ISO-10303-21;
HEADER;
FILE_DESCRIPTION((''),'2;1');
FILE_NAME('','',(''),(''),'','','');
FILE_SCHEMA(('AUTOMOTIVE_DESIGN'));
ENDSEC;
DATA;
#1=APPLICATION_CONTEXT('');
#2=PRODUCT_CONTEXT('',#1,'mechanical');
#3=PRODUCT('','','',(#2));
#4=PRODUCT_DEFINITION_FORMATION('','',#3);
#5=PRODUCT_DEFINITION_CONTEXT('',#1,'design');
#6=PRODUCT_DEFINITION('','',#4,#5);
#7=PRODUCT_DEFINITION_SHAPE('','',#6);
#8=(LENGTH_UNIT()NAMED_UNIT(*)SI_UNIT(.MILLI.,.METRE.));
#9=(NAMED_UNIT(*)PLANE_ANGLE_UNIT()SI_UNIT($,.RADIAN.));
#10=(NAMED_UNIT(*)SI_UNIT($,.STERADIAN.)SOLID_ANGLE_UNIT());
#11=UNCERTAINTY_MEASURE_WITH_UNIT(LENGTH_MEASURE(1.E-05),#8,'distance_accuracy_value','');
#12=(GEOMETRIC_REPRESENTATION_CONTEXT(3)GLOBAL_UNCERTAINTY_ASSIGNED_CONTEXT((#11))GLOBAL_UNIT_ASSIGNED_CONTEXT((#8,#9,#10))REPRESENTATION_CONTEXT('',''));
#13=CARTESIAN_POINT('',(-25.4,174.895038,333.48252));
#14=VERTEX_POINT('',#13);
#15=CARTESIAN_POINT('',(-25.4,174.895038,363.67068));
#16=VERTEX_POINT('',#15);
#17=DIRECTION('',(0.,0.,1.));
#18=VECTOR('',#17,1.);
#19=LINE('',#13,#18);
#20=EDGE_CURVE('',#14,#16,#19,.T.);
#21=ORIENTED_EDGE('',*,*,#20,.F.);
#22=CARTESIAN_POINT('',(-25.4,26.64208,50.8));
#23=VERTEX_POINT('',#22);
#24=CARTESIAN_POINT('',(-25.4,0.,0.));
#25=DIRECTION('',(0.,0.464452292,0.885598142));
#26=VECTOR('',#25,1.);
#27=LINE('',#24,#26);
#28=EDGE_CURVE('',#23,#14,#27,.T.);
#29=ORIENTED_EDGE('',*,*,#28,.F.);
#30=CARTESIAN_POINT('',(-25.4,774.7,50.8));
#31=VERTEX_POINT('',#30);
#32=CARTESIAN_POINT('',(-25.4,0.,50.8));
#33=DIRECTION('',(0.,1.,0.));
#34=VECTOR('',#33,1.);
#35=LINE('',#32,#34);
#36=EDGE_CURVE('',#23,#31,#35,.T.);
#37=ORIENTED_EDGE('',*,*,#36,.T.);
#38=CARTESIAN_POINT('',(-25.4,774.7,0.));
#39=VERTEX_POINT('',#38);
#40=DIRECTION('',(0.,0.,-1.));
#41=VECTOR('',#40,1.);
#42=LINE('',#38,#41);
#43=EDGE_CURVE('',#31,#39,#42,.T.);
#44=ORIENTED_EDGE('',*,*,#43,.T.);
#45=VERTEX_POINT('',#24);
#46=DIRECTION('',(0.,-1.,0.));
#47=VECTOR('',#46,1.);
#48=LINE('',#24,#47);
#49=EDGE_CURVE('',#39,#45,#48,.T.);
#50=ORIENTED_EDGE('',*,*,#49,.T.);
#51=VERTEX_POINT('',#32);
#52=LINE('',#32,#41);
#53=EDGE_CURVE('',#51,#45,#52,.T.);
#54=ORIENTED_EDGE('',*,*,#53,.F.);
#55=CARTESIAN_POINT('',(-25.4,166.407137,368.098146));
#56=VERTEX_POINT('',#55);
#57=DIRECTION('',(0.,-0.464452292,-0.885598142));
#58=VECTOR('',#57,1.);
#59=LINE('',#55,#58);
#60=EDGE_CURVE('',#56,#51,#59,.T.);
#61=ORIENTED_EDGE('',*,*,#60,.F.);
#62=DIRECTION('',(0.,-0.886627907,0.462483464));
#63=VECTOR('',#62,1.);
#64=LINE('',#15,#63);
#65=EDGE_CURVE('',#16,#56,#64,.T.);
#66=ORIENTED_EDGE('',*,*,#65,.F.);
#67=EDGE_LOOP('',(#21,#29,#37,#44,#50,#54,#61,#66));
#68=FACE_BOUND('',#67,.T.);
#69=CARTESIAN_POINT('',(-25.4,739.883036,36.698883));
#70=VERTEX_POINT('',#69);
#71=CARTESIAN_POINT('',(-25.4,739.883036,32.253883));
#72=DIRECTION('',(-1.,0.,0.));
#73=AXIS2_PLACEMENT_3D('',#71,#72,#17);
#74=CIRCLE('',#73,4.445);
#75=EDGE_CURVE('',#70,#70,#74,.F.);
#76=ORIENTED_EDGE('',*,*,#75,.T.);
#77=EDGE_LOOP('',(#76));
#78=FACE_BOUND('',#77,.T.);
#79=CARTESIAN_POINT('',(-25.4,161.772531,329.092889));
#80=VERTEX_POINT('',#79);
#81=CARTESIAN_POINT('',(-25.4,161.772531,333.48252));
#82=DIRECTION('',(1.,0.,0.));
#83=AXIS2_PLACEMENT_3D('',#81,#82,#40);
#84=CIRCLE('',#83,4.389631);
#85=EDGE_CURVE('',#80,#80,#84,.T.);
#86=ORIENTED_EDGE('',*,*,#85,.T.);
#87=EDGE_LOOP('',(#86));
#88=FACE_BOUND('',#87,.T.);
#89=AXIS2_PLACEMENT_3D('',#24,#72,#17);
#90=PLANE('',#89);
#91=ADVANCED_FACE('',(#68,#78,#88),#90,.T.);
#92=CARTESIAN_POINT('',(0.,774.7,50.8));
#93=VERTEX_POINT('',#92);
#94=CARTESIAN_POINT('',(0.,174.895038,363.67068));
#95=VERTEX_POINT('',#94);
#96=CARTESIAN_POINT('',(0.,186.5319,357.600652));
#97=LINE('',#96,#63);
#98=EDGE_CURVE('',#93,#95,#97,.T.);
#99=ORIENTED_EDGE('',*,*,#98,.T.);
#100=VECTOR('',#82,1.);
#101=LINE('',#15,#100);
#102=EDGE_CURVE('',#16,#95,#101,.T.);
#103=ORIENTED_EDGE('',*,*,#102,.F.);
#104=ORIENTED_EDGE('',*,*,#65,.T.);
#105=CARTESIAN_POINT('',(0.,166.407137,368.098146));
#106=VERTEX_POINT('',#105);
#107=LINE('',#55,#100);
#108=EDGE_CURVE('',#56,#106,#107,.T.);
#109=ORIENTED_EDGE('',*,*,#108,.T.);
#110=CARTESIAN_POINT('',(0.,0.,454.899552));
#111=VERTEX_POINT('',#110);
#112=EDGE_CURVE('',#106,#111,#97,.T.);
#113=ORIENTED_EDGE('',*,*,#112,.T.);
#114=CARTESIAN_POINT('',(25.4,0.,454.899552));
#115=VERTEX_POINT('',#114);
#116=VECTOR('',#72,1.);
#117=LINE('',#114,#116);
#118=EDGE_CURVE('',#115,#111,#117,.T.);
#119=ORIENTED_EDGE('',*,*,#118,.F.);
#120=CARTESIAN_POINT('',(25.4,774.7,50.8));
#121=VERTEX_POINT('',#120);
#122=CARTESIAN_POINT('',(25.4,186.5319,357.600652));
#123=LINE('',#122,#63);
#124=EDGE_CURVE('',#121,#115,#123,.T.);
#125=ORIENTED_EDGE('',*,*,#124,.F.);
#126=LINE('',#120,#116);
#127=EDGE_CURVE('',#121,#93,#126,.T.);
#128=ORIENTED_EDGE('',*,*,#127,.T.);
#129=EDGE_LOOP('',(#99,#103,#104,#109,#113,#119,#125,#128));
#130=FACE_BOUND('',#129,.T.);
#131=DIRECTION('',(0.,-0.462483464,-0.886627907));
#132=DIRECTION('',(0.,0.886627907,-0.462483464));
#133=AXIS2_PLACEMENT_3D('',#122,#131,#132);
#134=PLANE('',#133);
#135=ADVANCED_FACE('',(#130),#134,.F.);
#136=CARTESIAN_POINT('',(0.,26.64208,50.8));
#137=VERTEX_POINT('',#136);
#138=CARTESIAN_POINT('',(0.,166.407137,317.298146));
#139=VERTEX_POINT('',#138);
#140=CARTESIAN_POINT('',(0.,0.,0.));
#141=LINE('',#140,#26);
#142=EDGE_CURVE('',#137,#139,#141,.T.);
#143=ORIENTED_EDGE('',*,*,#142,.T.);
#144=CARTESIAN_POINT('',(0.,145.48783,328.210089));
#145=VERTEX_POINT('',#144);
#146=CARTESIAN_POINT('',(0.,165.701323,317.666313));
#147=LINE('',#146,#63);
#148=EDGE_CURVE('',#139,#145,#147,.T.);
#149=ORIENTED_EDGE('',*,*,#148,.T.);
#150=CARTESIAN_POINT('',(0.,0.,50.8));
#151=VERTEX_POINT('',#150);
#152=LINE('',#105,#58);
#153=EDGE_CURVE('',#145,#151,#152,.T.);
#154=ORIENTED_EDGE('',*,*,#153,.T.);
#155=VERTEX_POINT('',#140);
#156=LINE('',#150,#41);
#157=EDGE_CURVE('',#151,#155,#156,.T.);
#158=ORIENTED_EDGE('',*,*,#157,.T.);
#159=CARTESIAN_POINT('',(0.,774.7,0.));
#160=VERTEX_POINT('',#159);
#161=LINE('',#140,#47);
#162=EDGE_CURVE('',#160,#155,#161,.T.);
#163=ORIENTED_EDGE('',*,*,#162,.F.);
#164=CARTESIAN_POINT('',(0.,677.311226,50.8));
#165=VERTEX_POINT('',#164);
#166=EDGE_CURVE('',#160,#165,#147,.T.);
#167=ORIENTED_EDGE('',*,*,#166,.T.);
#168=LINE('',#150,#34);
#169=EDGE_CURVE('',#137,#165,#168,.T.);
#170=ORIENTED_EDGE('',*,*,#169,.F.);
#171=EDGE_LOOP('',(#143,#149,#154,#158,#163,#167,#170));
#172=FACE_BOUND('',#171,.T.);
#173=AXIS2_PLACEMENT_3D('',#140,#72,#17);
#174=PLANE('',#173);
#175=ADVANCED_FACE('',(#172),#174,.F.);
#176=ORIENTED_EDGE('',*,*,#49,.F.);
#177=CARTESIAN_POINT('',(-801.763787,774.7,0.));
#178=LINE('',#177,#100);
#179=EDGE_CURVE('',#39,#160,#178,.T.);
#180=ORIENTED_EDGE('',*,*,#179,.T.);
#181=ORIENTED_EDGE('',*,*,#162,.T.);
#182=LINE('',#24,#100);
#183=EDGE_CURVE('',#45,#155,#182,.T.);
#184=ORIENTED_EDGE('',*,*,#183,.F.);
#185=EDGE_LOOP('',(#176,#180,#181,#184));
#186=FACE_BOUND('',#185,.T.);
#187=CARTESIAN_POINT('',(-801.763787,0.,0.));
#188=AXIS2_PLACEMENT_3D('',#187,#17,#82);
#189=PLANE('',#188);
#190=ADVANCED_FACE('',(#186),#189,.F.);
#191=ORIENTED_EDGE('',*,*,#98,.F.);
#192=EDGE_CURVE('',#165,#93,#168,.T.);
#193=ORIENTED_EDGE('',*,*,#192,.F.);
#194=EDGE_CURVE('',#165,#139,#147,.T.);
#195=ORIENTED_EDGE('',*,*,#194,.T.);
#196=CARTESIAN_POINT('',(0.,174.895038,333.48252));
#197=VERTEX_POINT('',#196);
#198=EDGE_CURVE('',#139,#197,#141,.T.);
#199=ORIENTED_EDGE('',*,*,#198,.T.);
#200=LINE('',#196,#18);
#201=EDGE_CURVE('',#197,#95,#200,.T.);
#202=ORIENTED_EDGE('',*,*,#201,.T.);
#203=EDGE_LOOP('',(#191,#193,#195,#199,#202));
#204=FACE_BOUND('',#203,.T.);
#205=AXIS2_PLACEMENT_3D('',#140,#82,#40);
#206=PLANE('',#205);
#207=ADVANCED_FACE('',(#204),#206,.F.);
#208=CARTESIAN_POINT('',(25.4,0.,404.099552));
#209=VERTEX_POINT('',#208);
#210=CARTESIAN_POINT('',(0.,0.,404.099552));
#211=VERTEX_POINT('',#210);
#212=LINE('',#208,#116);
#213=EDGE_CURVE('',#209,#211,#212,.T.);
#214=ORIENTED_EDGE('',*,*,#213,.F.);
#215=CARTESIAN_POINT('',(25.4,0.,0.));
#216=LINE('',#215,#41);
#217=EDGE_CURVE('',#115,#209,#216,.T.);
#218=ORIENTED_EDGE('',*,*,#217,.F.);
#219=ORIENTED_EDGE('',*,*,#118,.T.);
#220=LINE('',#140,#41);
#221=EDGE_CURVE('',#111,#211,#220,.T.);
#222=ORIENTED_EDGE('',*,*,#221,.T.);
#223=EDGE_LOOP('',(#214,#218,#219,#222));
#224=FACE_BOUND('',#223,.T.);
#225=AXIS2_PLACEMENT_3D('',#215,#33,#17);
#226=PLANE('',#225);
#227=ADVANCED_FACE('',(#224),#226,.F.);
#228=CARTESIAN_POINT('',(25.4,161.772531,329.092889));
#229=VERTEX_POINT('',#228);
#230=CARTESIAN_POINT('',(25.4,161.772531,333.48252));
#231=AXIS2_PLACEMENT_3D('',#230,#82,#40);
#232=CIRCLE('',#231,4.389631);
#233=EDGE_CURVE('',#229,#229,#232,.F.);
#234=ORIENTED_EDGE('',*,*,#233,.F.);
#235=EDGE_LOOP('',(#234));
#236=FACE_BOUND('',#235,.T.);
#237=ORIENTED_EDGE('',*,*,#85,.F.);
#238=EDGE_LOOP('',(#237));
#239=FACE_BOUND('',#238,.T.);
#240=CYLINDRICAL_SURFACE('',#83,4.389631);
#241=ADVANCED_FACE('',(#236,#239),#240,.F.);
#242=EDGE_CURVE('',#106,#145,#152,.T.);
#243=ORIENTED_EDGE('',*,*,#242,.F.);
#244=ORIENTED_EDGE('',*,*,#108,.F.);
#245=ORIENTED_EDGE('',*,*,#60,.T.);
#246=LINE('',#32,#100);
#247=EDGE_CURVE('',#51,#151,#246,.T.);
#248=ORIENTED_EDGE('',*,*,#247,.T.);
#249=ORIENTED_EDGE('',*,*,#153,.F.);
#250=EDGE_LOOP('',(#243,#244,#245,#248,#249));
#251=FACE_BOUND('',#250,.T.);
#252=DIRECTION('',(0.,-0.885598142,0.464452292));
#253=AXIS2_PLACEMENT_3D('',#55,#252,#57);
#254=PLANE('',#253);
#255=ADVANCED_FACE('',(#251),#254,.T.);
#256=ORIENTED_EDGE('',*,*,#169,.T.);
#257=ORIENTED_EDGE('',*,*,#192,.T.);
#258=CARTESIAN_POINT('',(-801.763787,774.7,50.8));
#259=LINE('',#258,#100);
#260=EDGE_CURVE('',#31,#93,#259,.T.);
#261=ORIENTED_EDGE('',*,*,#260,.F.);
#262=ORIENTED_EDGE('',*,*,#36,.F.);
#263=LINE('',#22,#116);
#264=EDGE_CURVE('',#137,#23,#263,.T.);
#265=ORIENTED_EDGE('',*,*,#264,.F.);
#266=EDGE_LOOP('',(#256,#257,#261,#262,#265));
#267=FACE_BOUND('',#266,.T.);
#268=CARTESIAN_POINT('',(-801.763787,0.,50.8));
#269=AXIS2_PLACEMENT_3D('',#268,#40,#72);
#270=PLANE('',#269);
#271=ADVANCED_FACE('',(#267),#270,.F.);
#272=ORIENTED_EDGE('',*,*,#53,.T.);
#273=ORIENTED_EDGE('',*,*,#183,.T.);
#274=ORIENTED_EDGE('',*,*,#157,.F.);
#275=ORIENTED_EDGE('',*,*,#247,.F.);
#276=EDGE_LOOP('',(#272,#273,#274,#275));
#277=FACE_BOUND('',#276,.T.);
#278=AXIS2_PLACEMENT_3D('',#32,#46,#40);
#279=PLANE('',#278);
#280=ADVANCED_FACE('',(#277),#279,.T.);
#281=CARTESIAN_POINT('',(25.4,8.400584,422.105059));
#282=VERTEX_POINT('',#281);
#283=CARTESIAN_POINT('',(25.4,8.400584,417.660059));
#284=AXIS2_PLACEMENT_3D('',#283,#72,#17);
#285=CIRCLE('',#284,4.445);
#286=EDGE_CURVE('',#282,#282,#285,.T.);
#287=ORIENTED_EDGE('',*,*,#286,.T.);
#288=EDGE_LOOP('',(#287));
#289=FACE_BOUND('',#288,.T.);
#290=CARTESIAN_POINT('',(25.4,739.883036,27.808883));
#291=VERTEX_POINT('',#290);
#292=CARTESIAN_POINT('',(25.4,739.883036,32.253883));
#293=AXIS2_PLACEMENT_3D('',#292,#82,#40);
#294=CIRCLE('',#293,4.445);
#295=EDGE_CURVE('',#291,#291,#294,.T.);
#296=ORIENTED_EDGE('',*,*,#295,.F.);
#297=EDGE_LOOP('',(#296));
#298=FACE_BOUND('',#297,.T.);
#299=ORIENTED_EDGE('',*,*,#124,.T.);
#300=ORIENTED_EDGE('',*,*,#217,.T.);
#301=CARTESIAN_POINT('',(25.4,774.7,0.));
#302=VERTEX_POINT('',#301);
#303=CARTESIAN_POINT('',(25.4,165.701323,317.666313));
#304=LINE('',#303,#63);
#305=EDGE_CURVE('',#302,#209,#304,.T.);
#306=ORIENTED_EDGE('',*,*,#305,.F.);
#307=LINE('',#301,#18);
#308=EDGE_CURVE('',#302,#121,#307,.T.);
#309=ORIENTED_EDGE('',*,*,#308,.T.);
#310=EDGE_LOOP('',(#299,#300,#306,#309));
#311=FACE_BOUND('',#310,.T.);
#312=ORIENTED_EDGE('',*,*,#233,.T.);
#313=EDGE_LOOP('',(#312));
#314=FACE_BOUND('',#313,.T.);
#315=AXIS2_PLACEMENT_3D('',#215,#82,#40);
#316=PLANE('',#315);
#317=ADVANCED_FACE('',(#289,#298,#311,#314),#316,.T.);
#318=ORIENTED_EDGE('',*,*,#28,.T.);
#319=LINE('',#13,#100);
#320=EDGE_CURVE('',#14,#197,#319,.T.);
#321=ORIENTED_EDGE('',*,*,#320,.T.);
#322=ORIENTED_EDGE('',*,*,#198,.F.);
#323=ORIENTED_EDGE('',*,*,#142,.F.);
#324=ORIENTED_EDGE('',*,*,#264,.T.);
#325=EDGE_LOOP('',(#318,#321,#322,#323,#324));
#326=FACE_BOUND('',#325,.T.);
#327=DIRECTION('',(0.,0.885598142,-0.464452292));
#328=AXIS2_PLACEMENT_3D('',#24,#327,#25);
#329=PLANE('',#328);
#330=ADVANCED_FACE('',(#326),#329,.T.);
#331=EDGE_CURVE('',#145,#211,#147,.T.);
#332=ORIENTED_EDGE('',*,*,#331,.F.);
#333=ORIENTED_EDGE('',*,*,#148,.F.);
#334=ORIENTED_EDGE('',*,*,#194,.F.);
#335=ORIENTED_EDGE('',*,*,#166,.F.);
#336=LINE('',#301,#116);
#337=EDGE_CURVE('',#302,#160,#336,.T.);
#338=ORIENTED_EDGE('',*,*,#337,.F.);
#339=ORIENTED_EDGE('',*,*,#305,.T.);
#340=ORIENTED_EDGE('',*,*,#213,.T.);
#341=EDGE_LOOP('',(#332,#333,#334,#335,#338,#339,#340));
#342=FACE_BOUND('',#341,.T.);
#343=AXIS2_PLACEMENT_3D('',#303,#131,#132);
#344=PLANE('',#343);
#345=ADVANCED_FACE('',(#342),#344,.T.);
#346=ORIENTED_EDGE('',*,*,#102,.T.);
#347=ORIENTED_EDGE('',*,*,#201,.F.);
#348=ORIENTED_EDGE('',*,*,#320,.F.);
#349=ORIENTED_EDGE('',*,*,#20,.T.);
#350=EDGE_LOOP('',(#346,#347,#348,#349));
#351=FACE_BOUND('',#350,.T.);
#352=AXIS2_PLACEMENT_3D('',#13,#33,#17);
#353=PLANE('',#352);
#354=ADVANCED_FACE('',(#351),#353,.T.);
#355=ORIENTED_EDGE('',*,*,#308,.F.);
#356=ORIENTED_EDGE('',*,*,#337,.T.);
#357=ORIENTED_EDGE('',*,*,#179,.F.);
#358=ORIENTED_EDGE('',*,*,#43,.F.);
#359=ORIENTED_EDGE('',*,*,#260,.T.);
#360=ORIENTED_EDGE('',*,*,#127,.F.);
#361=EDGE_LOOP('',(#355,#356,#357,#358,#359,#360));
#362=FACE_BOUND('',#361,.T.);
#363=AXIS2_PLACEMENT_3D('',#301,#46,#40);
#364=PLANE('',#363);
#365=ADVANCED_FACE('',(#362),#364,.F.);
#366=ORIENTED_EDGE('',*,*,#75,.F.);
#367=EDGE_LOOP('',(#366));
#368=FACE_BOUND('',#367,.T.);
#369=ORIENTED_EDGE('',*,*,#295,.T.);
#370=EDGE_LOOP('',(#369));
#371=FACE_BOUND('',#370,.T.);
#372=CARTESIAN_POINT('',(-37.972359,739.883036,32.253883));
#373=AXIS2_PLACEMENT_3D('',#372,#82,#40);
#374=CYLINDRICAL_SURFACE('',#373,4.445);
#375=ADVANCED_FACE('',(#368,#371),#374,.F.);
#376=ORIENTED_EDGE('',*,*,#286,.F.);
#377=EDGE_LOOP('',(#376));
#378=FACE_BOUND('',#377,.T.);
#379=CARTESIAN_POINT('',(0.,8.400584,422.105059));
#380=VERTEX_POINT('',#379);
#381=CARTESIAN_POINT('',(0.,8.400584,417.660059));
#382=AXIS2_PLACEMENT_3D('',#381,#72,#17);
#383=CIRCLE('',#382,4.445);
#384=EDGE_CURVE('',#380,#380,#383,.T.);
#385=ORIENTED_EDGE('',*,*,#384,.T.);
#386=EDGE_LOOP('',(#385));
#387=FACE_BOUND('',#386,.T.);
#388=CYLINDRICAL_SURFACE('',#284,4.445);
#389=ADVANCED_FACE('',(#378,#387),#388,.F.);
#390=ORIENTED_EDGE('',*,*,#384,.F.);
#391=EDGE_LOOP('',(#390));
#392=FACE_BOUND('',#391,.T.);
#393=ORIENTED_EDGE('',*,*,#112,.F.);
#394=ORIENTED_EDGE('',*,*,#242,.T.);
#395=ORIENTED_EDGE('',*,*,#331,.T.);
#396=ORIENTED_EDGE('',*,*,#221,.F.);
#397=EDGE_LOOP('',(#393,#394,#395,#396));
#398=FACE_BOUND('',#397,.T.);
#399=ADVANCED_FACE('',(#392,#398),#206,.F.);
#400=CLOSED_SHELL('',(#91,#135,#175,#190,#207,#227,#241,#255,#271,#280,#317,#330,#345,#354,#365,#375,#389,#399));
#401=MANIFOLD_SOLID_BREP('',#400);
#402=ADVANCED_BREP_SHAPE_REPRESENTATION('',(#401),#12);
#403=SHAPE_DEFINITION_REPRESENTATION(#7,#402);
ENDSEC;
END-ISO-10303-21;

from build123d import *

# Parameters (mm, degrees)
BOSS_EXTRUDE1_DEPTH = 25.4
SKETCH2_R           = 4.389630664
BOSS_EXTRUDE4_DEPTH = 25.4
CUT_EXTRUDE1_START  = -25.4
SKETCH4_R           = 4.389630664
CUT_EXTRUDE1_DEPTH  = 25.4
SKETCH6_R           = 4.445
CUT_EXTRUDE2_DEPTH  = 25.4
SKETCH7_W           = 50.8
SKETCH7_H           = 774.7
BOSS_EXTRUDE5_DEPTH = 25.4
SKETCH8_R           = 4.445
CUT_EXTRUDE3_DEPTH  = 50.8


with BuildPart() as part:
    # Sketch1 → Boss-Extrude1 (new body)
    with BuildSketch(Plane(origin=(0, 0, 0), x_dir=(0, 0, -1), z_dir=(1, 0, 0))):
        Polygon((-50.8, 774.7), (-454.899551596, 0), (-404.099551596, 0), (0, 774.7), align=None)
    extrude(amount=BOSS_EXTRUDE1_DEPTH)

    # Sketch2 → Boss-Extrude4 (add)
    with BuildSketch(Plane(origin=(0, 0, 0), x_dir=(0, 0, -1), z_dir=(1, 0, 0))):
        Polygon((0, 0), (-333.48251995, 174.895038051), (-363.670680481, 174.895038051), (-368.098145545, 166.407136563), (-50.8, 0), align=None)
        with Locations((-333.48251995, 161.772531454)):
            Circle(SKETCH2_R, mode=Mode.SUBTRACT)
    extrude(amount=-BOSS_EXTRUDE4_DEPTH)

    # Sketch4 → Cut-Extrude1 (cut)
    with BuildSketch(Plane.ZY.offset(CUT_EXTRUDE1_START)):
        with Locations(Location((333.48251995, 161.772531454, 0), (0, 0, 180))):
            Circle(SKETCH4_R)
    extrude(amount=CUT_EXTRUDE1_DEPTH, mode=Mode.SUBTRACT)

    # Sketch6 → Cut-Extrude2 (cut)
    with BuildSketch(Plane.ZY):
        with Locations((417.660059318, 8.400584223)):
            Circle(SKETCH6_R)
    extrude(amount=-CUT_EXTRUDE2_DEPTH, mode=Mode.SUBTRACT)

    # Sketch7 → Boss-Extrude5 (add)
    with BuildSketch(Plane.ZY):
        with Locations((25.4, 387.35)):
            Rectangle(SKETCH7_W, SKETCH7_H)
    extrude(amount=BOSS_EXTRUDE5_DEPTH)

    # Sketch8 → Cut-Extrude3 (cut)
    with BuildSketch(Plane(origin=(25.4, 0, 0), x_dir=(0, 0, -1), z_dir=(1, 0, 0))):
        with Locations((-32.253882692, 739.883035965)):
            Circle(SKETCH8_R)
    extrude(amount=-CUT_EXTRUDE3_DEPTH, mode=Mode.SUBTRACT)


solid = part.part
